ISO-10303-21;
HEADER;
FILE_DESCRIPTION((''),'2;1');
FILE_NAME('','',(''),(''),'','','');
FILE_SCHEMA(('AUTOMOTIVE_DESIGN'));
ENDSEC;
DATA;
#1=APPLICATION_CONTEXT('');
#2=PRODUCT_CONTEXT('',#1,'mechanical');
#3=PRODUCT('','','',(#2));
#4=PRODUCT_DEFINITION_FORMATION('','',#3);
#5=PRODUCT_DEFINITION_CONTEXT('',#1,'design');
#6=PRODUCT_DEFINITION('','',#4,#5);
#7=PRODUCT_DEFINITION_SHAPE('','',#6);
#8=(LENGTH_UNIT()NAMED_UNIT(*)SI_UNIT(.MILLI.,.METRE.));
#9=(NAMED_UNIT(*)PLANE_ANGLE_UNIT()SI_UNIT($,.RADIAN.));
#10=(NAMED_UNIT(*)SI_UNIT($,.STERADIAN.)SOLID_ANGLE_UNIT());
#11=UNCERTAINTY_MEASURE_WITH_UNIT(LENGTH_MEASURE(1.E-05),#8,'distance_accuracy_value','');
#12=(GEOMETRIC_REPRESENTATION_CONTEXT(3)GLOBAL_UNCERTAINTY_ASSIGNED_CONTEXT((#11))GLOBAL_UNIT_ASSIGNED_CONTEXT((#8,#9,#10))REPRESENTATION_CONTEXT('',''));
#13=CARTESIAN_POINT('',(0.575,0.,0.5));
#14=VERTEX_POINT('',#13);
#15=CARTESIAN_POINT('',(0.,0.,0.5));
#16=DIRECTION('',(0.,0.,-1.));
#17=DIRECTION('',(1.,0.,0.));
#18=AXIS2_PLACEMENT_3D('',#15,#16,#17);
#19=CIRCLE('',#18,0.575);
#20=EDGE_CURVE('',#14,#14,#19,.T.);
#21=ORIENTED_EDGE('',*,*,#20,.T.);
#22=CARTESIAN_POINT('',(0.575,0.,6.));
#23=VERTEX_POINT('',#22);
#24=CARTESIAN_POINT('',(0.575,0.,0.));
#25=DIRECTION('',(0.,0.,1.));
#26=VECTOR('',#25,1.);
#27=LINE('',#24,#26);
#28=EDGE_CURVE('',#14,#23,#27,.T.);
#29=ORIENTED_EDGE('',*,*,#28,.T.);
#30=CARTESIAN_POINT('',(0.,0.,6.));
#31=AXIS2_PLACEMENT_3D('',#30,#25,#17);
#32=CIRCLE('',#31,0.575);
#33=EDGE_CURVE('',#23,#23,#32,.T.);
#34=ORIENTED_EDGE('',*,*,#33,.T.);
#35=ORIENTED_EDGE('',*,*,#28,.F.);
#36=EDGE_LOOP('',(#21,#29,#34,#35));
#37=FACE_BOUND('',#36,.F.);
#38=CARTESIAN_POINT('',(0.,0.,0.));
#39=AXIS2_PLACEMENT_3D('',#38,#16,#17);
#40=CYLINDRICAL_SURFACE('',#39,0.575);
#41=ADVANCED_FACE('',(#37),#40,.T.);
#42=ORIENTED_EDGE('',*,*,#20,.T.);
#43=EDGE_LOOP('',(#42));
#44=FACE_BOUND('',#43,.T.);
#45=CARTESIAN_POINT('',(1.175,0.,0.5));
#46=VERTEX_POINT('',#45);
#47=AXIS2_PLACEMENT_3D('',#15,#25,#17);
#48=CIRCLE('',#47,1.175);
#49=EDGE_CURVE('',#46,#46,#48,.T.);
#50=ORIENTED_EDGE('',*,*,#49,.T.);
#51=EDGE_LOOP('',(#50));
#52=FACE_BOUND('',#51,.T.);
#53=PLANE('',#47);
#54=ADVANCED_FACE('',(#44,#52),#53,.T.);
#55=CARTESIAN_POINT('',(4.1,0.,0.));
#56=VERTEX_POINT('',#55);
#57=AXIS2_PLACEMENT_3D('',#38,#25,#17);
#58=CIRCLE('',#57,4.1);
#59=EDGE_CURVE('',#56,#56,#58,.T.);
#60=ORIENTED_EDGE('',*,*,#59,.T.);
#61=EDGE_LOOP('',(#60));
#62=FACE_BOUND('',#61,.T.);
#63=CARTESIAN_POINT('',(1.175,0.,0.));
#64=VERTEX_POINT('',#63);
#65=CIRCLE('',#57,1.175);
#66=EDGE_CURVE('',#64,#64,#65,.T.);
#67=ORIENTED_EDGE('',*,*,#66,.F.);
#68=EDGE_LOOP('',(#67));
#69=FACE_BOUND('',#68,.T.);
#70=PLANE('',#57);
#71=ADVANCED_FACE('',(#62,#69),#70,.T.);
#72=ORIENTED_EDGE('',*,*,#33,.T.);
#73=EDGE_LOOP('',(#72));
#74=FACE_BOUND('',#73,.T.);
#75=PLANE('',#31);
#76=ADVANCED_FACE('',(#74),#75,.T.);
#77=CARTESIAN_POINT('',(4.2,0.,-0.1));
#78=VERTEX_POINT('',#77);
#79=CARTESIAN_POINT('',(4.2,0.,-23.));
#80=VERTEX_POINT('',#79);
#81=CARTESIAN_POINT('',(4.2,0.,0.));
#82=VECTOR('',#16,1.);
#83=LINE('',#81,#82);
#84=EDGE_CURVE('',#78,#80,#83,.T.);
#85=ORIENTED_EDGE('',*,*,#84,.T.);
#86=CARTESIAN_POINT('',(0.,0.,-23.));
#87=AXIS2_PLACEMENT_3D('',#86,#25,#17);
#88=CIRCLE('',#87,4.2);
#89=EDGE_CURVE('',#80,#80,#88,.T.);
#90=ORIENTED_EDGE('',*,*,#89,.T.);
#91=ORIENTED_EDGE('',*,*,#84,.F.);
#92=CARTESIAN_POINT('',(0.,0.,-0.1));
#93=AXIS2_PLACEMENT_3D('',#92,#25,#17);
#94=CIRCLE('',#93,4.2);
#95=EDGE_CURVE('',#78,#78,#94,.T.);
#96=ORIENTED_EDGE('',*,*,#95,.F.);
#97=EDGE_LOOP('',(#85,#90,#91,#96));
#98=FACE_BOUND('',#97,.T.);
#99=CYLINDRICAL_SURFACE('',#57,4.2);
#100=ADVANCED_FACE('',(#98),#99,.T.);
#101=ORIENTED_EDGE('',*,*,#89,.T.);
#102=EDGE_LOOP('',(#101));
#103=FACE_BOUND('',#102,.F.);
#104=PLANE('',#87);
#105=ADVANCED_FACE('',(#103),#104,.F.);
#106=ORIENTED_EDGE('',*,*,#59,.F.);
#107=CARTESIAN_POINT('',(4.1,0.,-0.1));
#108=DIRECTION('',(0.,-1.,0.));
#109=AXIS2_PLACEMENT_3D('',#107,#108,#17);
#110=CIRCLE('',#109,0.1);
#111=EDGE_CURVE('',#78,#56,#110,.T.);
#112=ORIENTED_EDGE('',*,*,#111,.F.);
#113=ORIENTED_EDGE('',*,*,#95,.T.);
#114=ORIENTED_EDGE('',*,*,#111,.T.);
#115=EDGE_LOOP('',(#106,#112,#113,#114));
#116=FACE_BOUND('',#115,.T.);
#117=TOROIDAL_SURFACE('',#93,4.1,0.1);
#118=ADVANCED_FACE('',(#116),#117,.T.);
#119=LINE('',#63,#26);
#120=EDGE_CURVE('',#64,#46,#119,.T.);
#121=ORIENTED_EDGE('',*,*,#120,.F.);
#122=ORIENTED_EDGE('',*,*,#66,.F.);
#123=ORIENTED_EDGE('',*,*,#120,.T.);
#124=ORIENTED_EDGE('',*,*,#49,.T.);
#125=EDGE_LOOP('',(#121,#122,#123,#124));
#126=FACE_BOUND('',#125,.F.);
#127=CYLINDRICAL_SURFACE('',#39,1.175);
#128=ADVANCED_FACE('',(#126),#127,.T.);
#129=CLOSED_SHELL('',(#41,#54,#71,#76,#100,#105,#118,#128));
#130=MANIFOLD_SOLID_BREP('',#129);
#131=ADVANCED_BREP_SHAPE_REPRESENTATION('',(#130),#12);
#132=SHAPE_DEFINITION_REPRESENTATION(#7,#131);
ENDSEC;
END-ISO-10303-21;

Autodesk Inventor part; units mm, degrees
ref_plane "YZ Plane" through (0, 0, 0) normal (1, 0, 0) x (0, 1, 0)
ref_plane "XZ Plane" through (0, 0, 0) normal (0, 1, 0) x (-1, 0, 0)
ref_plane "XY Plane" through (0, 0, 0) normal (0, 0, 1) x (1, 0, 0)
sketch "Esboço1" plane through (0, 0, 0) normal (0, 0, 1) x (1, 0, 0)
  circle A0 centre (0, 0) radius 4.2
  dimension "d0" = 8.4
extrude "Extrusão1" add sketch "Esboço1" against normal blind 23
sketch "Esboço2" plane through (0, 0, 0) normal (0, 0, 1) x (1, 0, 0)
  circle A0 centre (0, 0) radius 0.575
  dimension "d3" = 1.15
extrude "Extrusão2" add sketch "Esboço2" along normal blind 6
fillet "Arredondamento1" radius 0.1 1 edges at (-4.2, 0, 0)
sketch "Esboço3" plane through (0, 0, 0) normal (0, 0, 1) x (1, 0, 0)
  circle A0 centre (0, 0) radius 1.175
  dimension "d7" = 2.35
extrude "Extrusão3" add sketch "Esboço3" along normal blind 0.5
properties part number "coreless_8523" material "Alumínio 6061-AHC"
